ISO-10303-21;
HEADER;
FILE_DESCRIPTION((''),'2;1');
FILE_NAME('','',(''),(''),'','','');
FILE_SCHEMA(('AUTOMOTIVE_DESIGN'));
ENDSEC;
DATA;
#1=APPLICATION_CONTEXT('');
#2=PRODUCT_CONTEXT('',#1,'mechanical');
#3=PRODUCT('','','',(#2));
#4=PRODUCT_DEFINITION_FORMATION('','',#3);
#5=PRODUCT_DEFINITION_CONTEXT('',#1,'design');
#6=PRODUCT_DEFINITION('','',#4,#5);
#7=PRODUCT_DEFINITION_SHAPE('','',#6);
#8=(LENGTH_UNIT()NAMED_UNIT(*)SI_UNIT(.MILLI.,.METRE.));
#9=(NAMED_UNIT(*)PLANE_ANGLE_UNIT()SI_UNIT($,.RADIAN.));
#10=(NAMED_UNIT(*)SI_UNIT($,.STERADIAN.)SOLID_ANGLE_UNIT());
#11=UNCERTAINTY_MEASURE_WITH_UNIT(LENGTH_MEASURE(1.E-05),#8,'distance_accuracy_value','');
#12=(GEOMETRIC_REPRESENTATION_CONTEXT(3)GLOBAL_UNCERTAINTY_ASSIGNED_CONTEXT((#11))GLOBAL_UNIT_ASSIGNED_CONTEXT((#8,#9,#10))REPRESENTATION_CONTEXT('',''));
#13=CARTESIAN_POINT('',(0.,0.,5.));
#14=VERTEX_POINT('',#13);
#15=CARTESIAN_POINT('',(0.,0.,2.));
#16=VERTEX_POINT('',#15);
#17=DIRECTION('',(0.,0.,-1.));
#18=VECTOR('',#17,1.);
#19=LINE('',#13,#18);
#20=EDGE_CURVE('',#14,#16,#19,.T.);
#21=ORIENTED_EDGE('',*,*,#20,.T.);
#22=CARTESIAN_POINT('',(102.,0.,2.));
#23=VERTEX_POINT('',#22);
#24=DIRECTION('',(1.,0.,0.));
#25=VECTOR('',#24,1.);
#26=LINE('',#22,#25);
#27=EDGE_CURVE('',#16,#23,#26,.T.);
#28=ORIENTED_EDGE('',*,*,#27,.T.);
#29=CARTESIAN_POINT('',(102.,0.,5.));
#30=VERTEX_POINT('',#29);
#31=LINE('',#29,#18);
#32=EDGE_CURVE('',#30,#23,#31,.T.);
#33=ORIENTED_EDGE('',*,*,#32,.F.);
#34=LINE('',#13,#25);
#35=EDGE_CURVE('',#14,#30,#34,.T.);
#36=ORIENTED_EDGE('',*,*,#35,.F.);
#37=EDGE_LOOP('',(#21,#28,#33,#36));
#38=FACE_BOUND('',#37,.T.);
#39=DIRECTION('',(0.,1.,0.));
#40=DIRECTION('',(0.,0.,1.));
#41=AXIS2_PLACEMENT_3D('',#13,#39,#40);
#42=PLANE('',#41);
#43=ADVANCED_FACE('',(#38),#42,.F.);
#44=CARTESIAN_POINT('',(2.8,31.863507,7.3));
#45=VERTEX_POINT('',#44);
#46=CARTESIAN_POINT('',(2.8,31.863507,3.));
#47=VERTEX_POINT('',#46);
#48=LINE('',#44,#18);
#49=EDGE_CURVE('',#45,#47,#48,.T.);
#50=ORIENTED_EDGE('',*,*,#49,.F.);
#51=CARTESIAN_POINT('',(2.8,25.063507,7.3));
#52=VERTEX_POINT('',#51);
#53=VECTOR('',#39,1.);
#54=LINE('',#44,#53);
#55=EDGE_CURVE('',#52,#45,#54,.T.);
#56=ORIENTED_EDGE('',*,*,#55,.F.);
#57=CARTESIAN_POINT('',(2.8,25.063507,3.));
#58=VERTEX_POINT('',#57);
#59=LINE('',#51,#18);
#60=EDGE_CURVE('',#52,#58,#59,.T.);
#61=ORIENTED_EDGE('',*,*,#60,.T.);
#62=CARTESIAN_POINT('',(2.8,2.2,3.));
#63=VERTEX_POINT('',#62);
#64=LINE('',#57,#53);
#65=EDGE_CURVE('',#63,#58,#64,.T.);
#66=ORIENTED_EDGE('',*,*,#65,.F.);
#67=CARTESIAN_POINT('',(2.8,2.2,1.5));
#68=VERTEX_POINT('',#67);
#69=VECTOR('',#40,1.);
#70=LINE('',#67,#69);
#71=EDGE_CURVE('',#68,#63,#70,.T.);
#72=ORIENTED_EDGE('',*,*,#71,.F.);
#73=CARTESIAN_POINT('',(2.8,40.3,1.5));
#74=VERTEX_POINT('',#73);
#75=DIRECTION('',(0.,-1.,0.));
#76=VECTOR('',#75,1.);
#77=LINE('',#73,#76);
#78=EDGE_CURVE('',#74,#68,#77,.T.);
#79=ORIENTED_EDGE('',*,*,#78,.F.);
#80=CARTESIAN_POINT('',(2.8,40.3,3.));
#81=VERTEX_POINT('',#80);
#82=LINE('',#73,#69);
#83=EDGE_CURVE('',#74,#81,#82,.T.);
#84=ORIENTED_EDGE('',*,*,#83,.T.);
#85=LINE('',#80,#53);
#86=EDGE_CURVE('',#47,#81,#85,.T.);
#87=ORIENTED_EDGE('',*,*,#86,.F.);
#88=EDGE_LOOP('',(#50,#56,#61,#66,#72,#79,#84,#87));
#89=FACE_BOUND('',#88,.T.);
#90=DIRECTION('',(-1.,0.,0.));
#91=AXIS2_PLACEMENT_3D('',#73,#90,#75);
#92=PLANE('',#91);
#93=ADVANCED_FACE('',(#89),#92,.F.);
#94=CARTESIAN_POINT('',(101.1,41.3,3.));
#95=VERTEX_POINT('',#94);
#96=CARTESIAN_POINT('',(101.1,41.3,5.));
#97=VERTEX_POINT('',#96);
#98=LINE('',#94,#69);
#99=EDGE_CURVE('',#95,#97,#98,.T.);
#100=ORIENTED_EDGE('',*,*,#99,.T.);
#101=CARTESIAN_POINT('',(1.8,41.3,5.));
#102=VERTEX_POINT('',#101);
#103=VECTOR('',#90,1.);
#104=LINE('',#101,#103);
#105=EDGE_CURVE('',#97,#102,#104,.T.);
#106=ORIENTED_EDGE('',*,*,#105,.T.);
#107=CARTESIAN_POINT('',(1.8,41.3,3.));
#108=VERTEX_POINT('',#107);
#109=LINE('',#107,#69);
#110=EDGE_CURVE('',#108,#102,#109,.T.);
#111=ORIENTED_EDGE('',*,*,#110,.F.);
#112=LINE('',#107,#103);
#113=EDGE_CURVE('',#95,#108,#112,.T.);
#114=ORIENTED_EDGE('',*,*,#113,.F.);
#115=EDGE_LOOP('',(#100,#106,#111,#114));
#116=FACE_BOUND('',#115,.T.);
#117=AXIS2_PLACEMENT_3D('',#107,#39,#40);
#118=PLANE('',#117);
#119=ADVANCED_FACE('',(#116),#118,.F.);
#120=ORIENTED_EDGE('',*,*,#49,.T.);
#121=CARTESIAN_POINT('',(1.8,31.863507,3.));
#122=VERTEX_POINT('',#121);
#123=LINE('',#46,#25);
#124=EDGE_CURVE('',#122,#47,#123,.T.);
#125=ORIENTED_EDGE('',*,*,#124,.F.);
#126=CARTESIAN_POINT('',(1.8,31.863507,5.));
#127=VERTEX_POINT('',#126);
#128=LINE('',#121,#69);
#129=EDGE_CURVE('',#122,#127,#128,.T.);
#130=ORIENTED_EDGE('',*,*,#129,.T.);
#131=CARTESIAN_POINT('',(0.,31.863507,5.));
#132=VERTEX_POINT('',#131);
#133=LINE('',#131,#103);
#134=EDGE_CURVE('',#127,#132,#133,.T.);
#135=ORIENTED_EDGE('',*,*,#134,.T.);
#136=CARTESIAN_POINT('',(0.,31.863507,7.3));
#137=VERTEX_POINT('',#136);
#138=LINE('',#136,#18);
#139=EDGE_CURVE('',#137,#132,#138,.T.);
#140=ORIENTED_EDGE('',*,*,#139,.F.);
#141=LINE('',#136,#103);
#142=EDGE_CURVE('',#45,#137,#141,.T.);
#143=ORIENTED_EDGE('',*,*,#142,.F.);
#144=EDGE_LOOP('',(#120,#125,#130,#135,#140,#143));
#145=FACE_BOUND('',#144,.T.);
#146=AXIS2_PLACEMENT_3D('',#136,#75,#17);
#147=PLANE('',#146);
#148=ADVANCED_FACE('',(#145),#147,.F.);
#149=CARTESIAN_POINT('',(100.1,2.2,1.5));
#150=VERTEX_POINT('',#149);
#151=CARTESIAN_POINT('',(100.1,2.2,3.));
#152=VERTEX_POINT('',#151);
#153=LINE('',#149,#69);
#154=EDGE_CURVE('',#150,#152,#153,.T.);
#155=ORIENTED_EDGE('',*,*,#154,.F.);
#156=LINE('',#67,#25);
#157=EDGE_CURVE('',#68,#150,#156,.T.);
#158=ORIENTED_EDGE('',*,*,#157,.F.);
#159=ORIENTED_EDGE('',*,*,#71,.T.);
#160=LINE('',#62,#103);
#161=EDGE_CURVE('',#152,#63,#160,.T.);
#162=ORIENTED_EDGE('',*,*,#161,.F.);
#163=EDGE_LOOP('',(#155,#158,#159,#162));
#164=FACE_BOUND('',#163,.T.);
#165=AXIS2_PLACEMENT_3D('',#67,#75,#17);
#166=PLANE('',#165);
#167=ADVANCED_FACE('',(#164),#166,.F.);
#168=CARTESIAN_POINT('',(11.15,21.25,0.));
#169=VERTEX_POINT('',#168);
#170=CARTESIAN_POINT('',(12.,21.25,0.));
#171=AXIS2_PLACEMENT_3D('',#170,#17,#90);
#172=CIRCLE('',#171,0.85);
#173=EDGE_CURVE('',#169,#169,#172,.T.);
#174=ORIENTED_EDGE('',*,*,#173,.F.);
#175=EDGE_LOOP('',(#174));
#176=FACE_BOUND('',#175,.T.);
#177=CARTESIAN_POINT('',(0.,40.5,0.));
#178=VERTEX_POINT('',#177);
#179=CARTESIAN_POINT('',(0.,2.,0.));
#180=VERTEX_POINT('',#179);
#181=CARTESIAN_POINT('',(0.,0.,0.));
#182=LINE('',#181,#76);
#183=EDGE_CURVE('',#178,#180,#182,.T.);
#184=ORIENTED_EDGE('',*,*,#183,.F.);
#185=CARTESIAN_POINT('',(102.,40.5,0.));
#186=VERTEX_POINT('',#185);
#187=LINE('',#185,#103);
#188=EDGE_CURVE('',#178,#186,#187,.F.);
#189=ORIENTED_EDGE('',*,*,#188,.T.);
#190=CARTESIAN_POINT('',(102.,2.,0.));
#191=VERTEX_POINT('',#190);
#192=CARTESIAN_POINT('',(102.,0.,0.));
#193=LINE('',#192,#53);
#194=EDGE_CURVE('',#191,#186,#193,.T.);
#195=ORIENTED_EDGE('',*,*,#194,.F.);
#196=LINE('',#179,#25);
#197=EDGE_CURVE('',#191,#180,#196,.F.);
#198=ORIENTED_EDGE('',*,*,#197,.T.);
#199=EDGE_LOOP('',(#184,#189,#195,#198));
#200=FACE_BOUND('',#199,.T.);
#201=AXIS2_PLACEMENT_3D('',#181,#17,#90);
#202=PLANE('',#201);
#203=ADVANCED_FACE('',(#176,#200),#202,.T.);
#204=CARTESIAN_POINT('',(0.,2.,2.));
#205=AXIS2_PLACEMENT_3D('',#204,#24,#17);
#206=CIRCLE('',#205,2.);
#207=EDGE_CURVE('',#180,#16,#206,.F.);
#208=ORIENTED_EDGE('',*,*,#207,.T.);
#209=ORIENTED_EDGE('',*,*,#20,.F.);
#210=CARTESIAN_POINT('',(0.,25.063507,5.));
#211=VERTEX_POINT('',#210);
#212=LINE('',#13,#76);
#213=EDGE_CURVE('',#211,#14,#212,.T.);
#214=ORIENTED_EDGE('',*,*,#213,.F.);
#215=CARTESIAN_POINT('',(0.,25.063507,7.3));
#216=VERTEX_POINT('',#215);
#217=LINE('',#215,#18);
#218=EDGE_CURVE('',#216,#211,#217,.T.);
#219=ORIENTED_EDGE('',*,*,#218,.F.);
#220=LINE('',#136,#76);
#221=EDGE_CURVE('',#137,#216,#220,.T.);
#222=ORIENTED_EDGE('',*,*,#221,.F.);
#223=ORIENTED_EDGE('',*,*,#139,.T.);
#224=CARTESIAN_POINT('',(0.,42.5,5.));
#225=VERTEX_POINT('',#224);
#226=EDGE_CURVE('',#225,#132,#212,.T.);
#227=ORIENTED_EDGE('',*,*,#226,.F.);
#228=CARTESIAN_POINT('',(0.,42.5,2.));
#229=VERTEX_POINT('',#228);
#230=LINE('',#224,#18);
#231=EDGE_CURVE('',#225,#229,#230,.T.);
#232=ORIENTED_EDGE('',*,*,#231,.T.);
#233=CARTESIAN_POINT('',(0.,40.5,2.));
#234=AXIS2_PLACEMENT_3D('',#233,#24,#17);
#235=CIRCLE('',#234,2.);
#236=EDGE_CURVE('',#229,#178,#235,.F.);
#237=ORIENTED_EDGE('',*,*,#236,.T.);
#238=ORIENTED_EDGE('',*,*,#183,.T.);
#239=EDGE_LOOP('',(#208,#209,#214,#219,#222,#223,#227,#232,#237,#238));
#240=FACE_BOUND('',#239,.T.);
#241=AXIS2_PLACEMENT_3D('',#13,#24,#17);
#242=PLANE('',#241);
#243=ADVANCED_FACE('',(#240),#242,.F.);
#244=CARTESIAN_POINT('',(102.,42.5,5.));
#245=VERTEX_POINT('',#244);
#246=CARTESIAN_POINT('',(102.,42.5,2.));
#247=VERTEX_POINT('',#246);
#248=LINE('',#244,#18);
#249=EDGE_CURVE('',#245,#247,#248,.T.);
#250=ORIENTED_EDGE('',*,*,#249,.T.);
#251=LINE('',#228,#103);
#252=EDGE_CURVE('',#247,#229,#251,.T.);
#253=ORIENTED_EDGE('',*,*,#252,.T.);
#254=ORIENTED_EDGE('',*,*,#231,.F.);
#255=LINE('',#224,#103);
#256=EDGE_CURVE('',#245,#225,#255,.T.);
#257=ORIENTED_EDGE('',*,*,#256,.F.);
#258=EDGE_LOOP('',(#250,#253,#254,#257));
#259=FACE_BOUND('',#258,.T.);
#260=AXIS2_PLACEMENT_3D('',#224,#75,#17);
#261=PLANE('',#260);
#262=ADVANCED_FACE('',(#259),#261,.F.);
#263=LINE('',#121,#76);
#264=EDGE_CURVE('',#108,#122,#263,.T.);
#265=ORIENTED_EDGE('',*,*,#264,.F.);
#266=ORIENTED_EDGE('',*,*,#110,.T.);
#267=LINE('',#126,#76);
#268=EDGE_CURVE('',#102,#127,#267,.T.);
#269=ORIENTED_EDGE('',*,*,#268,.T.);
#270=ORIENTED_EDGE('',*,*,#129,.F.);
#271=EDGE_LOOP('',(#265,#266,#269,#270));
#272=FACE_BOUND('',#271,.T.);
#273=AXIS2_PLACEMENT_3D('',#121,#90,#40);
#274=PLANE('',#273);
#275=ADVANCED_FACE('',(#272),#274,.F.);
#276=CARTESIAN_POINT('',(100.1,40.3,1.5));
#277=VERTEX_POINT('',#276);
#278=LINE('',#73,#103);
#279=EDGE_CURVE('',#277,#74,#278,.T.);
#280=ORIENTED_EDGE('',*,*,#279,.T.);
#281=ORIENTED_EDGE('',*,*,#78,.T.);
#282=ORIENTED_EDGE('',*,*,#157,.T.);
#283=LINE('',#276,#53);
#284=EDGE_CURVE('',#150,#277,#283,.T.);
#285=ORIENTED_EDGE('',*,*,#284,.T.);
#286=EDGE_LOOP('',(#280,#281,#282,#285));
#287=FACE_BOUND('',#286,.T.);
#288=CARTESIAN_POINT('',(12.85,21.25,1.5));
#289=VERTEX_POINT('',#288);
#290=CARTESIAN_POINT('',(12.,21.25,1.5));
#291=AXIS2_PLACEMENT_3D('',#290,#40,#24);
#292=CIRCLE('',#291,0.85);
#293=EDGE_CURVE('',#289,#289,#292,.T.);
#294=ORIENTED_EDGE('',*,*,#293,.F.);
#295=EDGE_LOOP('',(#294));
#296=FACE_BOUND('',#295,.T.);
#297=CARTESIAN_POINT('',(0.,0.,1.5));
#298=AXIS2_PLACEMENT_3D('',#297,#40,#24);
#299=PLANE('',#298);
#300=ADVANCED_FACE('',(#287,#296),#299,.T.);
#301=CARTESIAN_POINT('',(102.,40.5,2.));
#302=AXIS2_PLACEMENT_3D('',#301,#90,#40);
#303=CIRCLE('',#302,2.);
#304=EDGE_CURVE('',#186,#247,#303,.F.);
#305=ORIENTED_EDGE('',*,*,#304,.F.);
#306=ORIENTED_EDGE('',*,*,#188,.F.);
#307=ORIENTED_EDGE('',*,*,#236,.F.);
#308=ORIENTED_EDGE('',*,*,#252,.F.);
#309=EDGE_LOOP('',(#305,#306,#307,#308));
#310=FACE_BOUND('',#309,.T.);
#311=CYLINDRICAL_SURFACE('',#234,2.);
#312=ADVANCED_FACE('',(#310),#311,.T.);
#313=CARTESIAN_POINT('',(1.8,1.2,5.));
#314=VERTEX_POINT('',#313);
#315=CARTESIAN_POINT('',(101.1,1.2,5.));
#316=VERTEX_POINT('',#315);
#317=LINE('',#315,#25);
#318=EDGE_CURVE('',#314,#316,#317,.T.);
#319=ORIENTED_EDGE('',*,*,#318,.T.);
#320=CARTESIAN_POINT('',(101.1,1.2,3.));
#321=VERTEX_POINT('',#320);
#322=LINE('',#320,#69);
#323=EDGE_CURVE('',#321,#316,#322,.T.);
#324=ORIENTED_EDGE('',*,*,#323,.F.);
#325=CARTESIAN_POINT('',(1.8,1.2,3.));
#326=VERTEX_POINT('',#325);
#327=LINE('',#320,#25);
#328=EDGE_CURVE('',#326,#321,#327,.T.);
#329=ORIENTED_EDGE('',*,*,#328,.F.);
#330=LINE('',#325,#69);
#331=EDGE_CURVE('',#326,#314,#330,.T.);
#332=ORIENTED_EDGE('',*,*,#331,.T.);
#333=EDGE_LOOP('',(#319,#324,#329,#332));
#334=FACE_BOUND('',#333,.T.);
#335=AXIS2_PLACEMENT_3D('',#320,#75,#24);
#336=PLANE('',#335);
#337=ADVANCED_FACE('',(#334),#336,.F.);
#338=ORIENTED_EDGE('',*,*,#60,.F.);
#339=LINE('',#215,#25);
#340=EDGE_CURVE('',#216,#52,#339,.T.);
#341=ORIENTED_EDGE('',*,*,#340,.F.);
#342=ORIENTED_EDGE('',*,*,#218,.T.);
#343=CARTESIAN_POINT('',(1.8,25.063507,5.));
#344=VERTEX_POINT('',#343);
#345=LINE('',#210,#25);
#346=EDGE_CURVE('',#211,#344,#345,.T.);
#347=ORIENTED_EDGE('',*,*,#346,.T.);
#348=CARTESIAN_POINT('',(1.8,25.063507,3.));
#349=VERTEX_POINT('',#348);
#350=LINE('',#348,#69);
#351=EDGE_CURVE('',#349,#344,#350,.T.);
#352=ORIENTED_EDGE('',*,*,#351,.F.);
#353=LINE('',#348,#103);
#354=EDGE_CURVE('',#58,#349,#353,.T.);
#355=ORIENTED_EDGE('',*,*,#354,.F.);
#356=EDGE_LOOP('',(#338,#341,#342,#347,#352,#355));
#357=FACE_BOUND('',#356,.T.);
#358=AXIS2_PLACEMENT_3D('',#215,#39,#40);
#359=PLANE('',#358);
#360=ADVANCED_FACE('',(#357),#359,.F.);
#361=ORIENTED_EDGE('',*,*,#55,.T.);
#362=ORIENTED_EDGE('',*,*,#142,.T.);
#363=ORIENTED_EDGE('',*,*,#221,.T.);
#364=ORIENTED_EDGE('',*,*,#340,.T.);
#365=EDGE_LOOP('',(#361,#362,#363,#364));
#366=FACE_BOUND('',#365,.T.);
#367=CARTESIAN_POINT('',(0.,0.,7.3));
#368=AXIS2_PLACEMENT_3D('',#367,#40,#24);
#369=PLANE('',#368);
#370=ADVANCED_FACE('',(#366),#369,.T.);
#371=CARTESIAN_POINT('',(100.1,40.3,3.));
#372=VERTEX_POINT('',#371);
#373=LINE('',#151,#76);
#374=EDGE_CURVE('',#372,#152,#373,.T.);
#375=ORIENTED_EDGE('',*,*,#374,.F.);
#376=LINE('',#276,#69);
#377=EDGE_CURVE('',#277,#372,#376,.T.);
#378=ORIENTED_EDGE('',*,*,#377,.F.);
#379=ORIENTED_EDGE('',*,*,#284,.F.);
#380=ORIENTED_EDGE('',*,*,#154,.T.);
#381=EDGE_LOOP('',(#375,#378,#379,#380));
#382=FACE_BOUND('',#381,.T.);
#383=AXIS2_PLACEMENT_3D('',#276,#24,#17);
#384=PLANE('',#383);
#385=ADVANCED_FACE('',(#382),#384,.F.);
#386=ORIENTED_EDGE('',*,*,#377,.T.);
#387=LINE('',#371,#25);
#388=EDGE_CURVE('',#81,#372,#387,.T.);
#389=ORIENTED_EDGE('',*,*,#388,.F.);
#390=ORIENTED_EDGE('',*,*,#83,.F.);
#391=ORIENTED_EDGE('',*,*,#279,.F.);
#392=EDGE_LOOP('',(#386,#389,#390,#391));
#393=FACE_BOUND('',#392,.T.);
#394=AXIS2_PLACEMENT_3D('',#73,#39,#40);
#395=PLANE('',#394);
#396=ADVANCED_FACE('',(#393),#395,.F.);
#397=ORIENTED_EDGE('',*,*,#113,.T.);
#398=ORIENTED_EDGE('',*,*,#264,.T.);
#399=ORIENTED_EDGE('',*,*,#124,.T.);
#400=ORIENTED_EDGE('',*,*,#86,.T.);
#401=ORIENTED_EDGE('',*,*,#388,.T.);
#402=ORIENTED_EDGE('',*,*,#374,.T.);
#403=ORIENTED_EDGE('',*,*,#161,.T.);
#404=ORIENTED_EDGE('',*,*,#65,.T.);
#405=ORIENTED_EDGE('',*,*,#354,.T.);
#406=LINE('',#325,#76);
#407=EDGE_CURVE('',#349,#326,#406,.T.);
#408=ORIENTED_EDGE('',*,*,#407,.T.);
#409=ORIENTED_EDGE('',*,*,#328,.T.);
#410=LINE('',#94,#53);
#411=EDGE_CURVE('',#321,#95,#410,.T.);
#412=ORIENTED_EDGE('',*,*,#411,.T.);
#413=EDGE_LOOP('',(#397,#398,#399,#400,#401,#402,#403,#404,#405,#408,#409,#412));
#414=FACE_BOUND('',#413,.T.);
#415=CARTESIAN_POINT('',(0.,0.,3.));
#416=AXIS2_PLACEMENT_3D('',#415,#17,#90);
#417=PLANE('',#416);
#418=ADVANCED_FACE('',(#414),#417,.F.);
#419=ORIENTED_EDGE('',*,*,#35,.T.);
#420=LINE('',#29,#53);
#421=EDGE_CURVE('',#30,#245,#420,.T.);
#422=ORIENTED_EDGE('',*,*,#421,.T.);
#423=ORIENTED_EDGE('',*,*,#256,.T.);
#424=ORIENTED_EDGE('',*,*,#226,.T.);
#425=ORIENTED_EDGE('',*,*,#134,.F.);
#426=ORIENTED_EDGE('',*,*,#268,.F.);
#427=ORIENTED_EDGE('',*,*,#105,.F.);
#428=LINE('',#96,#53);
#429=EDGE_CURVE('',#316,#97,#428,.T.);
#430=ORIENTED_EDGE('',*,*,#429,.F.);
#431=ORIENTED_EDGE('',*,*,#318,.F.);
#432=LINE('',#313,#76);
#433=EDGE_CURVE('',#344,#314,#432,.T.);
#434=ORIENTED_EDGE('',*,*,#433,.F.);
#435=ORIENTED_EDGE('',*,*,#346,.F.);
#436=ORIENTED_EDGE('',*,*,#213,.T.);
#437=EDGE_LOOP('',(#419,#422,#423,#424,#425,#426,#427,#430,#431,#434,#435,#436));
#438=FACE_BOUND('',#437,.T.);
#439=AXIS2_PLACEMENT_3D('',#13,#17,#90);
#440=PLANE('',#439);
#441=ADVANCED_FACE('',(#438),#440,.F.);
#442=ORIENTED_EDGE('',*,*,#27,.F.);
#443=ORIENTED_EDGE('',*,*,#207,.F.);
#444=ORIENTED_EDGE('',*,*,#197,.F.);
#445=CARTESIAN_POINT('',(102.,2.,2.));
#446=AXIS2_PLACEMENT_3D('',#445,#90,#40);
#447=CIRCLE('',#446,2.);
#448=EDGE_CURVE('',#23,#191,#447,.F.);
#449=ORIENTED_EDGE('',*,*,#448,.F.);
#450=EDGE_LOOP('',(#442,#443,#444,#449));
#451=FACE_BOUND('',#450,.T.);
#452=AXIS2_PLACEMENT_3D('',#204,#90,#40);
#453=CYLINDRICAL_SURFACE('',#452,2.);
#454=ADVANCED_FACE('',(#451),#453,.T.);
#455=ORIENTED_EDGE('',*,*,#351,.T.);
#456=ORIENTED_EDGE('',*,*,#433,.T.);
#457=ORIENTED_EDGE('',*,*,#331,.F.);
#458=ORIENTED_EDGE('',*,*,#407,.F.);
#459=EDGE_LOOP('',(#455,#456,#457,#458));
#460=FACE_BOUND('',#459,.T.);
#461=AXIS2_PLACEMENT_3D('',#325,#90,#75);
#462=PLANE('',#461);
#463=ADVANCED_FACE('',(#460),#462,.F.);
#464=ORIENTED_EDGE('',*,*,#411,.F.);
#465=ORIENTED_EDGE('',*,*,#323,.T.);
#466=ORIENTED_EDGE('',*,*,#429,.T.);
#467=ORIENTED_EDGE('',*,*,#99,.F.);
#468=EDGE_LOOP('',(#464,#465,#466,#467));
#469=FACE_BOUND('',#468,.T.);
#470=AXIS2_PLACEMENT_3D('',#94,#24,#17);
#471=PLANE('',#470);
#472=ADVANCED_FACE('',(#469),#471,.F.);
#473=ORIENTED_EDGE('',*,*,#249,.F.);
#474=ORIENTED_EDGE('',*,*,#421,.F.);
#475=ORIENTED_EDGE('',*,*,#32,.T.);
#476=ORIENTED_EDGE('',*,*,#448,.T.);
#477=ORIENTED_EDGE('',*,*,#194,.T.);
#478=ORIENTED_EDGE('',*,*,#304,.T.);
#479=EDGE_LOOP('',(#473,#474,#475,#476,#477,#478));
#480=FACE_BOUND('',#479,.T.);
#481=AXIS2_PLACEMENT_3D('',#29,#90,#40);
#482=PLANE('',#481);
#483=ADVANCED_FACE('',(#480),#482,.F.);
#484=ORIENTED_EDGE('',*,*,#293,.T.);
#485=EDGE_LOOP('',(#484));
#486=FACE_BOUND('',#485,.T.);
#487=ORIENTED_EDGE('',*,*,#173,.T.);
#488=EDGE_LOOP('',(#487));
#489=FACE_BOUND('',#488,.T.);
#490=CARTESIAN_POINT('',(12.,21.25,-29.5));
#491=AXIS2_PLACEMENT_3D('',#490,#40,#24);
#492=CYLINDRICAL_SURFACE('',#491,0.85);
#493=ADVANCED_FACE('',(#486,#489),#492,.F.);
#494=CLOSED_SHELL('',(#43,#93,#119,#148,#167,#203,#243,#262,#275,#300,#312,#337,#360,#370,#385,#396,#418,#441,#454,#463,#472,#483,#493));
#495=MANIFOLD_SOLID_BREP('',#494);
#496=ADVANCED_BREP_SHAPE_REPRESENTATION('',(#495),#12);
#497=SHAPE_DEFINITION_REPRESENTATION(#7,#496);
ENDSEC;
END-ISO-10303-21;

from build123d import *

# Parameters (mm, degrees)
SKETCH2_W           = 102
SKETCH2_H           = 42.5
BOSS_EXTRUDE1_DEPTH = 5
SKETCH3_W           = 97.3
SKETCH3_H           = 38.1
CUT_EXTRUDE1_DEPTH  = 3.5
SKETCH4_W           = 2.8
SKETCH4_H           = 6.8
BOSS_EXTRUDE3_DEPTH = 2.3
CUT_EXTRUDE4_DEPTH  = 2
SKETCH9_R           = 0.85
CUT_EXTRUDE5_DEPTH  = 31
FILLET1_R           = 2


with BuildPart() as part:
    # Sketch2 → Boss-Extrude1 (new body)
    with BuildSketch(Plane.XY):
        with Locations((51, 21.25)):
            Rectangle(SKETCH2_W, SKETCH2_H)
    extrude(amount=BOSS_EXTRUDE1_DEPTH)

    # Sketch3 → Cut-Extrude1 (cut)
    with BuildSketch(Plane.XY.offset(5)):
        with Locations((51.45, 21.25)):
            Rectangle(SKETCH3_W, SKETCH3_H)
    extrude(amount=-CUT_EXTRUDE1_DEPTH, mode=Mode.SUBTRACT)

    # Sketch4 → Boss-Extrude3 (add)
    with BuildSketch(Plane.XY.offset(5)):
        with Locations((1.4, 28.4635072)):
            Rectangle(SKETCH4_W, SKETCH4_H)
    extrude(amount=BOSS_EXTRUDE3_DEPTH)

    # Sketch8 → Cut-Extrude4 (cut)
    with BuildSketch(Plane.XY.offset(5)):
        Polygon((2.8, 31.8635072), (1.8, 31.8635072), (1.8, 41.3), (101.1, 41.3), (101.1, 1.2), (1.8, 1.2), (1.8, 25.0635072), (2.8, 25.0635072), (2.8, 2.2), (100.1, 2.2), (100.1, 40.3), (2.8, 40.3), align=None)
    extrude(amount=-CUT_EXTRUDE4_DEPTH, mode=Mode.SUBTRACT)

    # Sketch9 → Cut-Extrude5 (cut)
    with BuildSketch(Plane.XY.offset(1.5)):
        with Locations((12, 21.25)):
            Circle(SKETCH9_R)
    extrude(amount=-CUT_EXTRUDE5_DEPTH, mode=Mode.SUBTRACT)

    # Fillet1
    fillet1_edges = [part.edges().sort_by_distance(p)[0] for p in [
        (51, 42.5, 0),
        (51, 0, 0),
    ]]
    fillet(fillet1_edges, radius=FILLET1_R)


solid = part.part
